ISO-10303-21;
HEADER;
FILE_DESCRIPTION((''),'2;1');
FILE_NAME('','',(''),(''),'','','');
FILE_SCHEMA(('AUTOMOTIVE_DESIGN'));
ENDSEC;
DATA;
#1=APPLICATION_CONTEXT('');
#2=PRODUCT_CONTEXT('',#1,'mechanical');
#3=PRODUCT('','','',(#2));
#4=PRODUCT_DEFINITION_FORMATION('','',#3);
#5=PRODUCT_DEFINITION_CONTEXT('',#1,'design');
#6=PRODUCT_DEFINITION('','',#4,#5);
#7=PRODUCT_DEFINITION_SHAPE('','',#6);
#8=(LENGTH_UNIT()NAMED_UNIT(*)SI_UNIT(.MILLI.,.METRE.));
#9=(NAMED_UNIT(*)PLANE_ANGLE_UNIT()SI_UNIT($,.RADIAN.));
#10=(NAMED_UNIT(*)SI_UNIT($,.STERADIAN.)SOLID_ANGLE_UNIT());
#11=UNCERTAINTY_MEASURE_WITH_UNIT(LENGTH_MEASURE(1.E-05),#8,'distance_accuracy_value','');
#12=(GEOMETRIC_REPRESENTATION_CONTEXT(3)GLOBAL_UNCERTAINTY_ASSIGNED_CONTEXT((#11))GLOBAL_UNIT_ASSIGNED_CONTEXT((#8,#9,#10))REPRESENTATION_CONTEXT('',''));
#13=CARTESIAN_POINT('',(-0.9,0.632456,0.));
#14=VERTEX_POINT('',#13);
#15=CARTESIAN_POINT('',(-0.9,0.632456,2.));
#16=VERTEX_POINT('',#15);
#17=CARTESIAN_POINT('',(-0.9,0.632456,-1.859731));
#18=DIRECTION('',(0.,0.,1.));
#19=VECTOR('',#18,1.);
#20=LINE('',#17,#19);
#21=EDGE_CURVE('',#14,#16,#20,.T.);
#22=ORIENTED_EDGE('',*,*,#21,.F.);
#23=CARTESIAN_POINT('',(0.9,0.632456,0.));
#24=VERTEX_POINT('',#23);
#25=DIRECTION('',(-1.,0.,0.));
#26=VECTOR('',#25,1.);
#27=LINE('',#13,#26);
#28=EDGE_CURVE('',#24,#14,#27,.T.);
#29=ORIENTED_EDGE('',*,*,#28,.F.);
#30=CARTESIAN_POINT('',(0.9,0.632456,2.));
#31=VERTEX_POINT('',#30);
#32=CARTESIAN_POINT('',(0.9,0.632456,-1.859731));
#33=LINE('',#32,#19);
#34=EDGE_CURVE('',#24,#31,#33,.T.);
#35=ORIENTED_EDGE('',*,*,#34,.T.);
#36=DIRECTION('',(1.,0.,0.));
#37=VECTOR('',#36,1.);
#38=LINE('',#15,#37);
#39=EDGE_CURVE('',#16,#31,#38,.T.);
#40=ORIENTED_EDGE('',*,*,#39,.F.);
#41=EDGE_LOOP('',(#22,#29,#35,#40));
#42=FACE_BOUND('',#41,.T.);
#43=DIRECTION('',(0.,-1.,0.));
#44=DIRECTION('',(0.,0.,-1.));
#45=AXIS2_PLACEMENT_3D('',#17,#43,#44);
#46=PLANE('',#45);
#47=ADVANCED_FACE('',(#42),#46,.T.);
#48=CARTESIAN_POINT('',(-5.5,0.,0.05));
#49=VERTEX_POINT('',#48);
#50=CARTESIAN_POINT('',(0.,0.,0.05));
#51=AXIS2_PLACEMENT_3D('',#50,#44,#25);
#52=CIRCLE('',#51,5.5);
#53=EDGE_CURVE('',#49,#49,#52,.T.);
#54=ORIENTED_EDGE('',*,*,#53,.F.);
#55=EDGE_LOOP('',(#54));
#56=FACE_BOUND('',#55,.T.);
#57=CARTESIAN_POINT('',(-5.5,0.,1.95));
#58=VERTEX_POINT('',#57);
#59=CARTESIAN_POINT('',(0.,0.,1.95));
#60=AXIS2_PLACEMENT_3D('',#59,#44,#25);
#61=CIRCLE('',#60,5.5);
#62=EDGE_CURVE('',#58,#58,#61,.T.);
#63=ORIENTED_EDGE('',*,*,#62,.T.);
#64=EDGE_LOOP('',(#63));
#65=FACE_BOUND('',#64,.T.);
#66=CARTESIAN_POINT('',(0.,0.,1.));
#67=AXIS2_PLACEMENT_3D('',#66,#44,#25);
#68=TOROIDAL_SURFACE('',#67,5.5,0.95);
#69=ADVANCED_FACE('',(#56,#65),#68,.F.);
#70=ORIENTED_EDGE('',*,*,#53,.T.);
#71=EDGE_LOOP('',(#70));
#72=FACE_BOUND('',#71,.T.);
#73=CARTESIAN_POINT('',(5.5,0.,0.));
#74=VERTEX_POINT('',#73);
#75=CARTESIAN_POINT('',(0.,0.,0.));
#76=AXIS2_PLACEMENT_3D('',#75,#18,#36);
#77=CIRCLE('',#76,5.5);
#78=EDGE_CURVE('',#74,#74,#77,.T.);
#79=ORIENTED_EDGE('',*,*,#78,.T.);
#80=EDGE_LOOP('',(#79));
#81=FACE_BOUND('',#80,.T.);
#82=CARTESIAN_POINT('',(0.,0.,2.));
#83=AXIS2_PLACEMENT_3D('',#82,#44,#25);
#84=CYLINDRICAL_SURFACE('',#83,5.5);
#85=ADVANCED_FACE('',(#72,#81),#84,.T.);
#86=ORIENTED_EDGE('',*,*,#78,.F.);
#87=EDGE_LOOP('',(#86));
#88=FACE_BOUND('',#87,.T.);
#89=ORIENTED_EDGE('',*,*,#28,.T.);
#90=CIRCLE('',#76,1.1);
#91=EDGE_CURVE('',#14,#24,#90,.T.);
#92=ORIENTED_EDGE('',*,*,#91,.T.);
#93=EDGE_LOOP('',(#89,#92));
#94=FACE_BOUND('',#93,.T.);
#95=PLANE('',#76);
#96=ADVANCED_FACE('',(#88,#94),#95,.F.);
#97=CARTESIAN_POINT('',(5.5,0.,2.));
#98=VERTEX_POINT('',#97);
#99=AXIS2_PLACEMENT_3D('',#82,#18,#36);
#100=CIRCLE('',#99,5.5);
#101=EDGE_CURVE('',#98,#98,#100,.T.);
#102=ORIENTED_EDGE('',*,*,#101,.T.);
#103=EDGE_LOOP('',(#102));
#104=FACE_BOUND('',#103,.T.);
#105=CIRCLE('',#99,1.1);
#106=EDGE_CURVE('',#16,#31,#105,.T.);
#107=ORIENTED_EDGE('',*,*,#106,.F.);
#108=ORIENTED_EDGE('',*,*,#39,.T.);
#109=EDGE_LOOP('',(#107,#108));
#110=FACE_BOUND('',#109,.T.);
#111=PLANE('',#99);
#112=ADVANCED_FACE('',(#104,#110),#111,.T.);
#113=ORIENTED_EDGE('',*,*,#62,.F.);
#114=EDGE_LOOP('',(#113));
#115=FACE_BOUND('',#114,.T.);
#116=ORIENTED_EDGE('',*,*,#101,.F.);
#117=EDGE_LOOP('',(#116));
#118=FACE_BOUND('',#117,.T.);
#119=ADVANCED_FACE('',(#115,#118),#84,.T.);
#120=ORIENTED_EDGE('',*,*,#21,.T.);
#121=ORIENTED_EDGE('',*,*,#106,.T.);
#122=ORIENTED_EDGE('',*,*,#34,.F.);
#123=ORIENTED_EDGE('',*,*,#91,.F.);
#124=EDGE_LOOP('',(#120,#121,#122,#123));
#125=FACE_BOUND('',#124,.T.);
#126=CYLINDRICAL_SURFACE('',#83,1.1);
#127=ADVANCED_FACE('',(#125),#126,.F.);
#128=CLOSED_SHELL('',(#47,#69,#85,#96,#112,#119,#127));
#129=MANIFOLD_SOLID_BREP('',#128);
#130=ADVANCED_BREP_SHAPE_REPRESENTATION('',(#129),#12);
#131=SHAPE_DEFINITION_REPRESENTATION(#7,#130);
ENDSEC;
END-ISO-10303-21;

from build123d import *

# Parameters (mm, degrees)
SKETCH1_R           = 5.5
SKETCH1_R_2         = 1.1
BOSS_EXTRUDE1_DEPTH = 2
BOSS_EXTRUDE3_START = -2
BOSS_EXTRUDE3_DEPTH = 2


with BuildPart() as part:
    # Sketch1 → Boss-Extrude1 (new body)
    with BuildSketch(Plane.XY):
        Circle(SKETCH1_R)
        Circle(SKETCH1_R_2, mode=Mode.SUBTRACT)
    extrude(amount=BOSS_EXTRUDE1_DEPTH)

    # Sketch2 → Boss-Extrude3 (add)
    with BuildSketch(Plane.XY.offset(2).offset(BOSS_EXTRUDE3_START)):
        with BuildLine():
            Line((-0.9, 0.632455532), (0.9, 0.632455532))
            ThreePointArc((0.9, 0.632455532), (0, 1.1), (-0.9, 0.632455532))
        make_face()
    extrude(amount=BOSS_EXTRUDE3_DEPTH)

    # Sketch3 → Cut-Revolve1 (revolve, cut)
    with BuildSketch(Plane(origin=(0, 0, 0), x_dir=(0, 0, -1), z_dir=(1, 0, 0)), mode=Mode.PRIVATE) as cut_revolve1_sk:
        with BuildLine():
            Line((-0.05, 5.5), (-1.95, 5.5))
            ThreePointArc((-1.95, 5.5), (-1, 4.55), (-0.05, 5.5))
        make_face()
    revolve(cut_revolve1_sk.sketch.rotate(Axis((0, 0, -0.1), (0, 0, 1)), 90), axis=Axis((0, 0, -0.1), (0, 0, 1)), mode=Mode.SUBTRACT)


solid = part.part
